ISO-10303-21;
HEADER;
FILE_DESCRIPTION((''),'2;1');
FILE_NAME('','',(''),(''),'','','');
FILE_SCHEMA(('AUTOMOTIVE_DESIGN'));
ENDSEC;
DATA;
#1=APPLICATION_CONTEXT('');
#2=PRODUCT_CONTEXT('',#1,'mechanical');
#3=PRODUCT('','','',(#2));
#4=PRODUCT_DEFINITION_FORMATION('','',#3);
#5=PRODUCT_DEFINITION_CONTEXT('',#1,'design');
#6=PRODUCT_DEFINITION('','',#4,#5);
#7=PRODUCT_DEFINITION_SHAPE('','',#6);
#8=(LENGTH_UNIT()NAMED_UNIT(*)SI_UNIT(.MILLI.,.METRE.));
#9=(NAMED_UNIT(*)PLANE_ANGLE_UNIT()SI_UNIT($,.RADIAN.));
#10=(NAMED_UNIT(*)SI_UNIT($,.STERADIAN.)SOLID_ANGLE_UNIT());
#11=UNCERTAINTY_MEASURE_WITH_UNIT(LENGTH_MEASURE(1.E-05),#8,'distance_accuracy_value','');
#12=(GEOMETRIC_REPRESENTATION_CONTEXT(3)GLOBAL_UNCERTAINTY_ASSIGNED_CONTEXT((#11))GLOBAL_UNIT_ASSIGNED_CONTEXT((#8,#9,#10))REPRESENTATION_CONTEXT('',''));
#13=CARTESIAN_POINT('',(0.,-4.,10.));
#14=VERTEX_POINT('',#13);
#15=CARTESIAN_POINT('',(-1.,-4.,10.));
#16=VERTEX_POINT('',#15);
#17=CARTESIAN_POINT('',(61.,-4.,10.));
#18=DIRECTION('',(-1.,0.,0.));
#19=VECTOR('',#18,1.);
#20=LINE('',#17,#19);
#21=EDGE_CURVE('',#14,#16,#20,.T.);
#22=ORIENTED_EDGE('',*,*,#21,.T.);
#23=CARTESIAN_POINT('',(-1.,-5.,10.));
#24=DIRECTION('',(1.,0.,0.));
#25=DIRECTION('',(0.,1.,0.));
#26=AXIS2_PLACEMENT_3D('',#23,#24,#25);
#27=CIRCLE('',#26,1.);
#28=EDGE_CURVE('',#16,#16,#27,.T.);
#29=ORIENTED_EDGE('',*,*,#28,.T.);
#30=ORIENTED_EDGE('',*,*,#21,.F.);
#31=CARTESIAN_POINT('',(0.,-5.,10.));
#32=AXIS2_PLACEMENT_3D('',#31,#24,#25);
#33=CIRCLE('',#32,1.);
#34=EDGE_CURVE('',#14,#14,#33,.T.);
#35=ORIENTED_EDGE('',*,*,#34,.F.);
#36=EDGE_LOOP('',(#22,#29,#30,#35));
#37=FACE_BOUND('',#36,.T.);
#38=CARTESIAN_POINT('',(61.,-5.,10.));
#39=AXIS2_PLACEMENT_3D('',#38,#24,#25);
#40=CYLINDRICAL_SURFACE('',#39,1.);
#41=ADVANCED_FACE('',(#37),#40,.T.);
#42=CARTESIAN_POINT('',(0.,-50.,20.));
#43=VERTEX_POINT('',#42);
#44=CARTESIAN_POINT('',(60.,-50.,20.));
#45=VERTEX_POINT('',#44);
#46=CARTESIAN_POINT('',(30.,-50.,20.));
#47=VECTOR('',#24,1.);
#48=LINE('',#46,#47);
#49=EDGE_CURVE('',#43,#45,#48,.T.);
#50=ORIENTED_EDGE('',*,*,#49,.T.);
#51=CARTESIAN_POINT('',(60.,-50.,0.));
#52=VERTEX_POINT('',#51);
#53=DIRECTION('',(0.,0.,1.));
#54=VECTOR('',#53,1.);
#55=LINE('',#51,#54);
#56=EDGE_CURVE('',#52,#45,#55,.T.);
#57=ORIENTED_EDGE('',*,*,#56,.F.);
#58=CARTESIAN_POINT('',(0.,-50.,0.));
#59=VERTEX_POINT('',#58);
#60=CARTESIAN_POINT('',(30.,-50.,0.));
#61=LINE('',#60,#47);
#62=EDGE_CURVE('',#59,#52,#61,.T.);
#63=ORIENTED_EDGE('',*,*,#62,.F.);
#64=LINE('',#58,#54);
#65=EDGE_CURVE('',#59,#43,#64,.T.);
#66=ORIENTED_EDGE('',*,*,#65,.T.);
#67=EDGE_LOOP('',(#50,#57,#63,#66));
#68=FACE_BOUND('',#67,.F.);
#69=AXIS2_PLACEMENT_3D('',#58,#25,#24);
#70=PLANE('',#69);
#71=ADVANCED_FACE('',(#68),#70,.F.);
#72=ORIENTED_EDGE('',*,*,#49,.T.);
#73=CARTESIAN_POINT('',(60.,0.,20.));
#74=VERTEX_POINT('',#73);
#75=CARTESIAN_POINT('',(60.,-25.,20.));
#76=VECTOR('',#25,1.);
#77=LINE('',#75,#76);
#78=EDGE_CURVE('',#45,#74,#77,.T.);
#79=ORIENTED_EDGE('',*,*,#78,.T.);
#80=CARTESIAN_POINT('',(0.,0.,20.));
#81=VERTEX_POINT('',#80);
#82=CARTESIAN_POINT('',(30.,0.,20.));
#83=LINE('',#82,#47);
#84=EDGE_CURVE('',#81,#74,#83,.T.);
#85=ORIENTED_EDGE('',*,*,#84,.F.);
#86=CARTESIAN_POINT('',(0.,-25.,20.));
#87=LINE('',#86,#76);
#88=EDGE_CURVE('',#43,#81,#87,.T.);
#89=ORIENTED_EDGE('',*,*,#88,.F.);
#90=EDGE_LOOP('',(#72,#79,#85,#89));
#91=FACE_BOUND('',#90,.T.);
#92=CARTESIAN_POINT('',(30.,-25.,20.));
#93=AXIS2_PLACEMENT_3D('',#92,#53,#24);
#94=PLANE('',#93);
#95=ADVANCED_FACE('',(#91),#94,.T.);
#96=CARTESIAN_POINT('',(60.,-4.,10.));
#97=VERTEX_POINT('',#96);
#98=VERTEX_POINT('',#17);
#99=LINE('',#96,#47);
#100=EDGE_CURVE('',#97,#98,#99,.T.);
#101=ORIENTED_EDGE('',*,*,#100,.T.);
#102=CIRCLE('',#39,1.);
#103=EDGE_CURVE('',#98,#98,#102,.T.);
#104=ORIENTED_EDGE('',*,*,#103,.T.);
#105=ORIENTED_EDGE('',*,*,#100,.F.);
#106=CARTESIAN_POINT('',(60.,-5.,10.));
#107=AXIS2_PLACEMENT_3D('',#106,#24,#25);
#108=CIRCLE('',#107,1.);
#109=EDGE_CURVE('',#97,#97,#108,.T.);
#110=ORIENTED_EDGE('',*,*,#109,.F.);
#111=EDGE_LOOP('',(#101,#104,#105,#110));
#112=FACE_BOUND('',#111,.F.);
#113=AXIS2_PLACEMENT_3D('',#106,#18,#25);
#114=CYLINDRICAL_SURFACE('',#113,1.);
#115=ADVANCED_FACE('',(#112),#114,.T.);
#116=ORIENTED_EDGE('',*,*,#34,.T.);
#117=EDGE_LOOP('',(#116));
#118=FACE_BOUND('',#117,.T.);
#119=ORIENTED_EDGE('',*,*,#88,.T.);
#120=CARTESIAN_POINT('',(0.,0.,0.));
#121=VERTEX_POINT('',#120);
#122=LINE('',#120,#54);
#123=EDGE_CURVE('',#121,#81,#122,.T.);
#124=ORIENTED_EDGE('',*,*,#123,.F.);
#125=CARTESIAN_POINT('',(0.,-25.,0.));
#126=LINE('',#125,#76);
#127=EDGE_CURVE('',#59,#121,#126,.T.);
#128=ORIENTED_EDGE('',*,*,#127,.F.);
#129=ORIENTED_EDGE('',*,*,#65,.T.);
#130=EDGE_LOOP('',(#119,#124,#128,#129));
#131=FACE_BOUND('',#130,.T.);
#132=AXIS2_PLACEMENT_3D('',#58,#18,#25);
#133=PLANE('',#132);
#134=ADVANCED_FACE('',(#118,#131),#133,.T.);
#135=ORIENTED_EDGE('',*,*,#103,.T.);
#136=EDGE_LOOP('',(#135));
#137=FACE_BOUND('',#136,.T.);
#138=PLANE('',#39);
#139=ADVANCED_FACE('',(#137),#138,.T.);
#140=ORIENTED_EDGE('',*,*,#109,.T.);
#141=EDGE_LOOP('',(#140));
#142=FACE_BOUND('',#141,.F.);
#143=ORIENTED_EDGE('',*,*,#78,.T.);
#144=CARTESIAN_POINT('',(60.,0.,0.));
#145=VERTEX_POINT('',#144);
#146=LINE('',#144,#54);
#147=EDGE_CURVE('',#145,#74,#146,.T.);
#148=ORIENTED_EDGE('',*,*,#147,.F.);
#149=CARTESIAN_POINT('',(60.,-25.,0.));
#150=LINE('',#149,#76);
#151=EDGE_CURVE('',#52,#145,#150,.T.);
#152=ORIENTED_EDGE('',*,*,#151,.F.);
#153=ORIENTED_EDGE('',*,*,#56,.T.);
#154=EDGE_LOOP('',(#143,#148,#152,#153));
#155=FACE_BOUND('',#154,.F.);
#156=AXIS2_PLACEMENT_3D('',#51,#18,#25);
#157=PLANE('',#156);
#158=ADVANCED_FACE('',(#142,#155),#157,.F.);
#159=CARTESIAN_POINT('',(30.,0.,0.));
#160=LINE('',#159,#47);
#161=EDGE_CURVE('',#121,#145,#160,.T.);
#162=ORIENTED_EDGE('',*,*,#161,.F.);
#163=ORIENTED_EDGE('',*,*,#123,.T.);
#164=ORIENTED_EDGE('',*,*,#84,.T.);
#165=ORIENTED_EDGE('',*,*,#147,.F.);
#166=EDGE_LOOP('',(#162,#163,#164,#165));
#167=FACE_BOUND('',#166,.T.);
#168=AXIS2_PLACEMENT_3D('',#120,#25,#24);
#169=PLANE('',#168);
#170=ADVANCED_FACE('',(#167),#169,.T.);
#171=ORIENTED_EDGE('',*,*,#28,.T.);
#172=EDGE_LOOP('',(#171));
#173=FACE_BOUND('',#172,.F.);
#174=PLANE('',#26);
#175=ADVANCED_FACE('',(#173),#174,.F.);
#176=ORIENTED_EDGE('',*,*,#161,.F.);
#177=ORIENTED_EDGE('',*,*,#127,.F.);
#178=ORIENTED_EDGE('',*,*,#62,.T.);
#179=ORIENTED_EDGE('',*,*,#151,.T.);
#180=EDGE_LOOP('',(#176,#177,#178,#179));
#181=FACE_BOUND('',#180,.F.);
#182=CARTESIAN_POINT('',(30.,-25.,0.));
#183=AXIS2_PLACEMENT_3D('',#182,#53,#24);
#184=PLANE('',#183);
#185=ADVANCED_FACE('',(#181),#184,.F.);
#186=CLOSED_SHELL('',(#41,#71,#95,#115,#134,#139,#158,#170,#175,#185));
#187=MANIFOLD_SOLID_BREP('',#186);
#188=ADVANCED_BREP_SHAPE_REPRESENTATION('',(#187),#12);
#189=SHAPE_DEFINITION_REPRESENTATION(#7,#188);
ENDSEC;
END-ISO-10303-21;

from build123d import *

# Parameters (mm, degrees)
F0_W      = 60
F0_H      = 50
F1_DEPTH  = 20
F2_R      = 1
F3_DEPTH  = 1
F3_FACE_R = 1
F4_DEPTH  = 62


with BuildPart() as f1:
    # F0 (on Top) → F1 (new body)
    with BuildSketch(Plane.XY):
        with Locations((30, -25)):
            Rectangle(F0_W, F0_H)
    extrude(amount=F1_DEPTH)

    # F2 (on face) → F3 (join)
    with BuildSketch(Plane.YZ.offset(60)):
        with Locations((-5, 10)):
            Circle(F2_R)
    extrude(amount=F3_DEPTH)

    # F3_face (on face) → F4 (join)
    with BuildSketch(Plane(origin=(61, -5, 10), x_dir=(0, 1, 0), z_dir=(1, 0, 0))):
        Circle(F3_FACE_R)
    extrude(amount=-F4_DEPTH)


solid = f1.part
